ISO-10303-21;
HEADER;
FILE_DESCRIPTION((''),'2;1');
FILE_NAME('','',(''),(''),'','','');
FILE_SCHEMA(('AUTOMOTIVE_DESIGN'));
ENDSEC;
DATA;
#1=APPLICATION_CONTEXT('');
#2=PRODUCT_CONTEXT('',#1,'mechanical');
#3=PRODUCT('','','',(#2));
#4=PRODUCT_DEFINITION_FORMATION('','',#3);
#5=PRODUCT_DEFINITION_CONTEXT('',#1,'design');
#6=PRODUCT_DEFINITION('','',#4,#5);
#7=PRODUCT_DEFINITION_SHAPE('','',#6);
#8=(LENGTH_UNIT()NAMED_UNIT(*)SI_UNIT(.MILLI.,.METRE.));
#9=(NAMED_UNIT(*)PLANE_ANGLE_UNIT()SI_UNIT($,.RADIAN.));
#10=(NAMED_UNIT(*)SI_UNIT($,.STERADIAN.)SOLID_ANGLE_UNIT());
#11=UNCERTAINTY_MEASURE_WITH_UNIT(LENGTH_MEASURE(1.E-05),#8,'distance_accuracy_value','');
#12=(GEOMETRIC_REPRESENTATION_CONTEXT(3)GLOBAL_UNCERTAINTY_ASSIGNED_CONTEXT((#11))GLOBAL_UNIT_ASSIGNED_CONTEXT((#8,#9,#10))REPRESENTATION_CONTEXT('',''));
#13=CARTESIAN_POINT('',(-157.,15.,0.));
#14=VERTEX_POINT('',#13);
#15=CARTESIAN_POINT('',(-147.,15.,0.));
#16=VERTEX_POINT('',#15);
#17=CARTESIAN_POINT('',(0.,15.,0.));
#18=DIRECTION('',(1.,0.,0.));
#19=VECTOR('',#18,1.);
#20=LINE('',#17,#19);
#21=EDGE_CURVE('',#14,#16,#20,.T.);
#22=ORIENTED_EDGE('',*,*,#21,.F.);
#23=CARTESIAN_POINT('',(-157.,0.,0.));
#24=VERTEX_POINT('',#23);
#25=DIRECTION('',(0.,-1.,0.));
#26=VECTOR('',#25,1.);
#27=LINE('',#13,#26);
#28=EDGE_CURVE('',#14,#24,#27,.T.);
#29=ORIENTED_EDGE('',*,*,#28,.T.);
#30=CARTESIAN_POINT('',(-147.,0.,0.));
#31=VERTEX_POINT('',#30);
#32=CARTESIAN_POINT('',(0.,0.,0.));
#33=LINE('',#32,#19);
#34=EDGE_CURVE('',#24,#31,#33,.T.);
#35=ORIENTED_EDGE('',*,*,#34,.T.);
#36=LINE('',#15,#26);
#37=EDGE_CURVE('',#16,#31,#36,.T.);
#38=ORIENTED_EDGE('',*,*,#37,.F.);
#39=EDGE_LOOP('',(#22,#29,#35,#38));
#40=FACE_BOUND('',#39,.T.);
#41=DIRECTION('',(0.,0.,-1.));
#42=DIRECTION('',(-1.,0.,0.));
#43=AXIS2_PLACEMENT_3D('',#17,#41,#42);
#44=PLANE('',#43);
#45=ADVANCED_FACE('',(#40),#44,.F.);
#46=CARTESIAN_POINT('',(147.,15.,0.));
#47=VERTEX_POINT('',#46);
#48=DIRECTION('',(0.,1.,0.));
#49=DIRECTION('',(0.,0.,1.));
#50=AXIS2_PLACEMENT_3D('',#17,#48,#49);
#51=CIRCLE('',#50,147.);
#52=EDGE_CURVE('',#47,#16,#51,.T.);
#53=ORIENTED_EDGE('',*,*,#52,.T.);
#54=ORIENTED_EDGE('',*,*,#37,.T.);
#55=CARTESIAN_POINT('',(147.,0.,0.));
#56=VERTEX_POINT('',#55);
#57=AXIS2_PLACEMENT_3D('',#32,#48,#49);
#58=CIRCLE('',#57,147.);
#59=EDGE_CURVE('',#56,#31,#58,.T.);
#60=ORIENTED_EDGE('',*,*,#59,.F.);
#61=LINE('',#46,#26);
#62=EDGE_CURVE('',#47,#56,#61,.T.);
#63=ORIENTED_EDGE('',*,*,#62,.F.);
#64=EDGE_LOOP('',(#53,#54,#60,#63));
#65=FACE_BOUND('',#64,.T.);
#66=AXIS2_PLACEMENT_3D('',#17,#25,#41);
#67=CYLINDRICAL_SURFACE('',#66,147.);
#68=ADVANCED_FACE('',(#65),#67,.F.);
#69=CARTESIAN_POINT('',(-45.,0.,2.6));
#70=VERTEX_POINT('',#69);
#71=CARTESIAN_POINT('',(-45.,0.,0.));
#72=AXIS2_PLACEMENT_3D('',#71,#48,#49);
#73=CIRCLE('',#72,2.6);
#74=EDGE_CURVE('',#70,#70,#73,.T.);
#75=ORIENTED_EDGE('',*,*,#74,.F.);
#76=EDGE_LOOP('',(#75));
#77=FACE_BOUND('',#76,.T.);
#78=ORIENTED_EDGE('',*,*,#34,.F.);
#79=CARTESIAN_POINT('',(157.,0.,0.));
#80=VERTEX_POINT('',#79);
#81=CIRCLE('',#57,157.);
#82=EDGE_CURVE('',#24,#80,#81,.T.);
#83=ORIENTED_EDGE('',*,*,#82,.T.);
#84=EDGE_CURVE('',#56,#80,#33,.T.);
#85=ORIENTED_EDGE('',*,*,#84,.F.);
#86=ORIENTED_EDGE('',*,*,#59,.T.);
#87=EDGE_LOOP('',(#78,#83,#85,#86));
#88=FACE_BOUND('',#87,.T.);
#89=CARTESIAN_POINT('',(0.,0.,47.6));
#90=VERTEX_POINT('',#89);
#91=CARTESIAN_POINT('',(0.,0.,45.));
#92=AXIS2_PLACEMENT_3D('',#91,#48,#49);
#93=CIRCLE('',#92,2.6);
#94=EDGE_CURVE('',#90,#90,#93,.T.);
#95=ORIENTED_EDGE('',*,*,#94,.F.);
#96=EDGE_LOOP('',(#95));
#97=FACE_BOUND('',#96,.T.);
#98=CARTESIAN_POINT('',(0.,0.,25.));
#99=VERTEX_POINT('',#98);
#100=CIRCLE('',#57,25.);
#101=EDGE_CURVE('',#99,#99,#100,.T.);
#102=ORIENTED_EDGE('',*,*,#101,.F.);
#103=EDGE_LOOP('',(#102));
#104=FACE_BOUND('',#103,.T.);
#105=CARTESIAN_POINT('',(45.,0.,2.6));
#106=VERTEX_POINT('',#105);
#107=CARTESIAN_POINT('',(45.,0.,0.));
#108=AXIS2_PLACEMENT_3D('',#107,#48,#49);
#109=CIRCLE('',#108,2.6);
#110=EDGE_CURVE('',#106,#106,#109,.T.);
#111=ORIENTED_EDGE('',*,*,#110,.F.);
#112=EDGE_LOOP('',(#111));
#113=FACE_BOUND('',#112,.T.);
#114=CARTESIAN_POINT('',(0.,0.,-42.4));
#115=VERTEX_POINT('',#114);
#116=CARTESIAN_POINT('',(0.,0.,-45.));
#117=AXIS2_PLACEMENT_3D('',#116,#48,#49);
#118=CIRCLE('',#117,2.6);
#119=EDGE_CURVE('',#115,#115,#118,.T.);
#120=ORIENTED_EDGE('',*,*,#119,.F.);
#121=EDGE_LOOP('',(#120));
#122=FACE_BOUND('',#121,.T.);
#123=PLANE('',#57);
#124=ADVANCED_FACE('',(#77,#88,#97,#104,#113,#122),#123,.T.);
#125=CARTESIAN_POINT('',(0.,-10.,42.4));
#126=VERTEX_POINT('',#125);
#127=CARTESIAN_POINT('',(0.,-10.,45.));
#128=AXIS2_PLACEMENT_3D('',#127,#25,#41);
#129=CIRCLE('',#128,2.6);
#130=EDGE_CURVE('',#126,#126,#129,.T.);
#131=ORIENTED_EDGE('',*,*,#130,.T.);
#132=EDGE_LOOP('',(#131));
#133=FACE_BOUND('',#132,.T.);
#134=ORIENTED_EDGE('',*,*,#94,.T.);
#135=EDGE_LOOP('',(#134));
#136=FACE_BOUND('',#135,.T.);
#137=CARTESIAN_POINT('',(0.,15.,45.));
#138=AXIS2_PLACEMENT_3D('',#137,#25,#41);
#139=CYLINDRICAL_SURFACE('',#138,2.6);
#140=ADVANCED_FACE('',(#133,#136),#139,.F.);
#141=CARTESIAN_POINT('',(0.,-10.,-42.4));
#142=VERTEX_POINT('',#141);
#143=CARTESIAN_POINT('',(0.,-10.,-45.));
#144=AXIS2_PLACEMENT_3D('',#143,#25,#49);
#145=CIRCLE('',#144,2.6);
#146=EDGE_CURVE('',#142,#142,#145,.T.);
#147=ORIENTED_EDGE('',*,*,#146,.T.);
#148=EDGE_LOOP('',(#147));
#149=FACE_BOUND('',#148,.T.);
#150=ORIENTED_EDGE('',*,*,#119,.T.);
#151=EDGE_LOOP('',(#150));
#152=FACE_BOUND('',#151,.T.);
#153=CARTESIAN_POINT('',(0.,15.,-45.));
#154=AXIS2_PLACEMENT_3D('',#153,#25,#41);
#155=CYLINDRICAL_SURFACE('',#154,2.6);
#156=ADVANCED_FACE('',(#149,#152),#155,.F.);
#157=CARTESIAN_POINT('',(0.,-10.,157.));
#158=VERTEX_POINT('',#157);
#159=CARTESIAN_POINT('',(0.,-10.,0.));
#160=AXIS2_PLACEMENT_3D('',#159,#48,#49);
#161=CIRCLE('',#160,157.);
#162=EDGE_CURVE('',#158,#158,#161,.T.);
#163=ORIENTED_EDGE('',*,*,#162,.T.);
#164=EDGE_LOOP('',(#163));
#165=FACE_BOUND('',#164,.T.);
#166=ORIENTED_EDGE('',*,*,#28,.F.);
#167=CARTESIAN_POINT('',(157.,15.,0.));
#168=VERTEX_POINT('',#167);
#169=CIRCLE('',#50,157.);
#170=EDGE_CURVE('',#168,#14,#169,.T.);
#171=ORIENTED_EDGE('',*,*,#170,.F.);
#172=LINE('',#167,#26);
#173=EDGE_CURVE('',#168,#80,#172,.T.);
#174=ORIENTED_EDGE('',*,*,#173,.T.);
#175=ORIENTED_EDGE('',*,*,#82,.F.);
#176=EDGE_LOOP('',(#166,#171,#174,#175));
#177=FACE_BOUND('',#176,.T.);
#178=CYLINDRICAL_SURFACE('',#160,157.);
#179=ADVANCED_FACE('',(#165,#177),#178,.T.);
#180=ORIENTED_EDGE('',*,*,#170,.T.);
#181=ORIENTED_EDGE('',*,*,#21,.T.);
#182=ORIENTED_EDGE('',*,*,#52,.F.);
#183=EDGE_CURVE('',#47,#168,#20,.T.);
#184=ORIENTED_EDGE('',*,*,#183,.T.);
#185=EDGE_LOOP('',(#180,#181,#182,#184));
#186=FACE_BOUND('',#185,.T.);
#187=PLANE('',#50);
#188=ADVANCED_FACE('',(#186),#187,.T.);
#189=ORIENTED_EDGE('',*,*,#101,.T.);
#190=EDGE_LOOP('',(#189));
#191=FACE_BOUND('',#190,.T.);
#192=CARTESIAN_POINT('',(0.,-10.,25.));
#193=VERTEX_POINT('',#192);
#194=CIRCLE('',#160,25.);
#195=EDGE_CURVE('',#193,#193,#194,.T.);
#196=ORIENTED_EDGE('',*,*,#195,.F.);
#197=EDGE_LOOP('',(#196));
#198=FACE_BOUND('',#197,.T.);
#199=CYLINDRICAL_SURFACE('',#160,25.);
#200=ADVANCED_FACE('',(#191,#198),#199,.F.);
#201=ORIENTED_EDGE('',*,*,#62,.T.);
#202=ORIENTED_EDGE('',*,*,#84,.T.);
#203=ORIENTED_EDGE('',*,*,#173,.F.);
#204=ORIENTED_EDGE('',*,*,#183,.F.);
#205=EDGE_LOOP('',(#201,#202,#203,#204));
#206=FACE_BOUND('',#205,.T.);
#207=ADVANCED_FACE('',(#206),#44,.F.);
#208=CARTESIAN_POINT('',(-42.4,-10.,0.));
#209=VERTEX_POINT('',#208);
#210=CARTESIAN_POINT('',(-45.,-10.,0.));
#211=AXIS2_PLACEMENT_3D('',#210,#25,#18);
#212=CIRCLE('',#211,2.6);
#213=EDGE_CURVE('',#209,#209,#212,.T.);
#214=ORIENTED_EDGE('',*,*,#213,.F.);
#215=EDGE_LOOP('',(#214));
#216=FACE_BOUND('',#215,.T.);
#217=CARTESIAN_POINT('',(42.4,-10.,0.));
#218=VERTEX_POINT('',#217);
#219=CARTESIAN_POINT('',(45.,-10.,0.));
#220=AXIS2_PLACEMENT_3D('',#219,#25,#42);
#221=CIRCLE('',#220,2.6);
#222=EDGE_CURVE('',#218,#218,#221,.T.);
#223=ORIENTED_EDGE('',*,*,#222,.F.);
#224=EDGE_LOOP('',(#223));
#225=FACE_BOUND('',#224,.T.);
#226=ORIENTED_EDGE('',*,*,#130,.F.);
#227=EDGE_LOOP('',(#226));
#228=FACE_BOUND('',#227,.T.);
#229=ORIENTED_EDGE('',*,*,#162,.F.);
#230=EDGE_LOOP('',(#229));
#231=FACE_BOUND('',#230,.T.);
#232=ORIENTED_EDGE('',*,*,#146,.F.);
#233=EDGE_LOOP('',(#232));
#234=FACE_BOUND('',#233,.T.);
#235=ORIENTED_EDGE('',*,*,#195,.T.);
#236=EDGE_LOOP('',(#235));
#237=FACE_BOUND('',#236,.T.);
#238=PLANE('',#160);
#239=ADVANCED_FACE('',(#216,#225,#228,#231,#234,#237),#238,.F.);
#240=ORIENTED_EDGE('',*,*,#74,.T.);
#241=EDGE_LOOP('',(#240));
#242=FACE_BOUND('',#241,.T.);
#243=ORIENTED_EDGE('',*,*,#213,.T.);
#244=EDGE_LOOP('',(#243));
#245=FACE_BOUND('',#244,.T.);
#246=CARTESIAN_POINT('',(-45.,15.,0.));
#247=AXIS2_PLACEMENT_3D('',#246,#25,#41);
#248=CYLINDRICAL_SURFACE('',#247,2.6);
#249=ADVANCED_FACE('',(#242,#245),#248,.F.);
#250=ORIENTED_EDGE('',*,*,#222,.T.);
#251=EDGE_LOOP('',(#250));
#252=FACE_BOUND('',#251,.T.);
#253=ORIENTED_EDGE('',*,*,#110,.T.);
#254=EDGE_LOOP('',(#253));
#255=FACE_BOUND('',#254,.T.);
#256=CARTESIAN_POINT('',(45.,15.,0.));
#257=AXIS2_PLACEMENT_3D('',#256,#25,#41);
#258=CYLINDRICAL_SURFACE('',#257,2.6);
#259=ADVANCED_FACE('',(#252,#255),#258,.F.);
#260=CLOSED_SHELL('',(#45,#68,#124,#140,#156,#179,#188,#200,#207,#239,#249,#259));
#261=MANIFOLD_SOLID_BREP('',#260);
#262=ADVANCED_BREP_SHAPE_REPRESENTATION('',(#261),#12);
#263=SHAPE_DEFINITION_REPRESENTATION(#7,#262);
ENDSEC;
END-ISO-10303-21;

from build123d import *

# Parameters (mm, degrees)
SKETCH2_R           = 157
BOSS_EXTRUDE1_DEPTH = 10
BOSS_EXTRUDE2_START = 15
BOSS_EXTRUDE2_DEPTH = 15
SKETCH4_R           = 25
CUT_EXTRUDE1_DEPTH  = 223.537637266
SKETCH5_R           = 2.6
CUT_EXTRUDE2_DEPTH  = 224.434554176
CIRPATTERN1_COUNT   = 4


with BuildPart() as part:
    # Sketch2 → Boss-Extrude1 (new body)
    with BuildSketch(Plane(origin=(0, 0, 0), x_dir=(1, 0, 0), z_dir=(0, 1, 0))):
        with Locations(Location((0, 0, 0), (0, 0, 270))):
            Circle(SKETCH2_R)
    extrude(amount=-BOSS_EXTRUDE1_DEPTH)

    # Sketch3 → Boss-Extrude2 (add)
    with BuildSketch(Plane(origin=(0, 0, 0), x_dir=(1, 0, 0), z_dir=(0, 1, 0)).offset(BOSS_EXTRUDE2_START)):
        with BuildLine():
            ThreePointArc((157, 0), (0, 157), (-157, 0))
            Line((-157, 0), (-147, 0))
            ThreePointArc((-147, 0), (0, 147), (147, 0))
            Line((147, 0), (157, 0))
        make_face()
    extrude(amount=-BOSS_EXTRUDE2_DEPTH)

    # Sketch4 → Cut-Extrude1 (cut, through all)
    with BuildSketch(Plane(origin=(0, 0, 0), x_dir=(1, 0, 0), z_dir=(0, 1, 0))):
        with Locations(Location((0, 0, 0), (0, 0, 270))):
            Circle(SKETCH4_R)
    extrude(amount=-CUT_EXTRUDE1_DEPTH, mode=Mode.SUBTRACT)

    # Sketch5 → Cut-Extrude2 (cut, through all)
    with BuildSketch(Plane.XZ.offset(10)):
        with Locations(Location((0, 45, 0), (0, 0, 270))):
            Circle(SKETCH5_R)
    cut_extrude2 = extrude(amount=-CUT_EXTRUDE2_DEPTH, mode=Mode.SUBTRACT)

    # CirPattern1: Cut-Extrude2 ×4 about axis
    cirpattern1_axis = Axis((0, 0, 0), (0, 1, 0))
    for i in range(1, CIRPATTERN1_COUNT):
        add(cut_extrude2.rotate(cirpattern1_axis, i * 360 / CIRPATTERN1_COUNT), mode=Mode.SUBTRACT)


solid = part.part
